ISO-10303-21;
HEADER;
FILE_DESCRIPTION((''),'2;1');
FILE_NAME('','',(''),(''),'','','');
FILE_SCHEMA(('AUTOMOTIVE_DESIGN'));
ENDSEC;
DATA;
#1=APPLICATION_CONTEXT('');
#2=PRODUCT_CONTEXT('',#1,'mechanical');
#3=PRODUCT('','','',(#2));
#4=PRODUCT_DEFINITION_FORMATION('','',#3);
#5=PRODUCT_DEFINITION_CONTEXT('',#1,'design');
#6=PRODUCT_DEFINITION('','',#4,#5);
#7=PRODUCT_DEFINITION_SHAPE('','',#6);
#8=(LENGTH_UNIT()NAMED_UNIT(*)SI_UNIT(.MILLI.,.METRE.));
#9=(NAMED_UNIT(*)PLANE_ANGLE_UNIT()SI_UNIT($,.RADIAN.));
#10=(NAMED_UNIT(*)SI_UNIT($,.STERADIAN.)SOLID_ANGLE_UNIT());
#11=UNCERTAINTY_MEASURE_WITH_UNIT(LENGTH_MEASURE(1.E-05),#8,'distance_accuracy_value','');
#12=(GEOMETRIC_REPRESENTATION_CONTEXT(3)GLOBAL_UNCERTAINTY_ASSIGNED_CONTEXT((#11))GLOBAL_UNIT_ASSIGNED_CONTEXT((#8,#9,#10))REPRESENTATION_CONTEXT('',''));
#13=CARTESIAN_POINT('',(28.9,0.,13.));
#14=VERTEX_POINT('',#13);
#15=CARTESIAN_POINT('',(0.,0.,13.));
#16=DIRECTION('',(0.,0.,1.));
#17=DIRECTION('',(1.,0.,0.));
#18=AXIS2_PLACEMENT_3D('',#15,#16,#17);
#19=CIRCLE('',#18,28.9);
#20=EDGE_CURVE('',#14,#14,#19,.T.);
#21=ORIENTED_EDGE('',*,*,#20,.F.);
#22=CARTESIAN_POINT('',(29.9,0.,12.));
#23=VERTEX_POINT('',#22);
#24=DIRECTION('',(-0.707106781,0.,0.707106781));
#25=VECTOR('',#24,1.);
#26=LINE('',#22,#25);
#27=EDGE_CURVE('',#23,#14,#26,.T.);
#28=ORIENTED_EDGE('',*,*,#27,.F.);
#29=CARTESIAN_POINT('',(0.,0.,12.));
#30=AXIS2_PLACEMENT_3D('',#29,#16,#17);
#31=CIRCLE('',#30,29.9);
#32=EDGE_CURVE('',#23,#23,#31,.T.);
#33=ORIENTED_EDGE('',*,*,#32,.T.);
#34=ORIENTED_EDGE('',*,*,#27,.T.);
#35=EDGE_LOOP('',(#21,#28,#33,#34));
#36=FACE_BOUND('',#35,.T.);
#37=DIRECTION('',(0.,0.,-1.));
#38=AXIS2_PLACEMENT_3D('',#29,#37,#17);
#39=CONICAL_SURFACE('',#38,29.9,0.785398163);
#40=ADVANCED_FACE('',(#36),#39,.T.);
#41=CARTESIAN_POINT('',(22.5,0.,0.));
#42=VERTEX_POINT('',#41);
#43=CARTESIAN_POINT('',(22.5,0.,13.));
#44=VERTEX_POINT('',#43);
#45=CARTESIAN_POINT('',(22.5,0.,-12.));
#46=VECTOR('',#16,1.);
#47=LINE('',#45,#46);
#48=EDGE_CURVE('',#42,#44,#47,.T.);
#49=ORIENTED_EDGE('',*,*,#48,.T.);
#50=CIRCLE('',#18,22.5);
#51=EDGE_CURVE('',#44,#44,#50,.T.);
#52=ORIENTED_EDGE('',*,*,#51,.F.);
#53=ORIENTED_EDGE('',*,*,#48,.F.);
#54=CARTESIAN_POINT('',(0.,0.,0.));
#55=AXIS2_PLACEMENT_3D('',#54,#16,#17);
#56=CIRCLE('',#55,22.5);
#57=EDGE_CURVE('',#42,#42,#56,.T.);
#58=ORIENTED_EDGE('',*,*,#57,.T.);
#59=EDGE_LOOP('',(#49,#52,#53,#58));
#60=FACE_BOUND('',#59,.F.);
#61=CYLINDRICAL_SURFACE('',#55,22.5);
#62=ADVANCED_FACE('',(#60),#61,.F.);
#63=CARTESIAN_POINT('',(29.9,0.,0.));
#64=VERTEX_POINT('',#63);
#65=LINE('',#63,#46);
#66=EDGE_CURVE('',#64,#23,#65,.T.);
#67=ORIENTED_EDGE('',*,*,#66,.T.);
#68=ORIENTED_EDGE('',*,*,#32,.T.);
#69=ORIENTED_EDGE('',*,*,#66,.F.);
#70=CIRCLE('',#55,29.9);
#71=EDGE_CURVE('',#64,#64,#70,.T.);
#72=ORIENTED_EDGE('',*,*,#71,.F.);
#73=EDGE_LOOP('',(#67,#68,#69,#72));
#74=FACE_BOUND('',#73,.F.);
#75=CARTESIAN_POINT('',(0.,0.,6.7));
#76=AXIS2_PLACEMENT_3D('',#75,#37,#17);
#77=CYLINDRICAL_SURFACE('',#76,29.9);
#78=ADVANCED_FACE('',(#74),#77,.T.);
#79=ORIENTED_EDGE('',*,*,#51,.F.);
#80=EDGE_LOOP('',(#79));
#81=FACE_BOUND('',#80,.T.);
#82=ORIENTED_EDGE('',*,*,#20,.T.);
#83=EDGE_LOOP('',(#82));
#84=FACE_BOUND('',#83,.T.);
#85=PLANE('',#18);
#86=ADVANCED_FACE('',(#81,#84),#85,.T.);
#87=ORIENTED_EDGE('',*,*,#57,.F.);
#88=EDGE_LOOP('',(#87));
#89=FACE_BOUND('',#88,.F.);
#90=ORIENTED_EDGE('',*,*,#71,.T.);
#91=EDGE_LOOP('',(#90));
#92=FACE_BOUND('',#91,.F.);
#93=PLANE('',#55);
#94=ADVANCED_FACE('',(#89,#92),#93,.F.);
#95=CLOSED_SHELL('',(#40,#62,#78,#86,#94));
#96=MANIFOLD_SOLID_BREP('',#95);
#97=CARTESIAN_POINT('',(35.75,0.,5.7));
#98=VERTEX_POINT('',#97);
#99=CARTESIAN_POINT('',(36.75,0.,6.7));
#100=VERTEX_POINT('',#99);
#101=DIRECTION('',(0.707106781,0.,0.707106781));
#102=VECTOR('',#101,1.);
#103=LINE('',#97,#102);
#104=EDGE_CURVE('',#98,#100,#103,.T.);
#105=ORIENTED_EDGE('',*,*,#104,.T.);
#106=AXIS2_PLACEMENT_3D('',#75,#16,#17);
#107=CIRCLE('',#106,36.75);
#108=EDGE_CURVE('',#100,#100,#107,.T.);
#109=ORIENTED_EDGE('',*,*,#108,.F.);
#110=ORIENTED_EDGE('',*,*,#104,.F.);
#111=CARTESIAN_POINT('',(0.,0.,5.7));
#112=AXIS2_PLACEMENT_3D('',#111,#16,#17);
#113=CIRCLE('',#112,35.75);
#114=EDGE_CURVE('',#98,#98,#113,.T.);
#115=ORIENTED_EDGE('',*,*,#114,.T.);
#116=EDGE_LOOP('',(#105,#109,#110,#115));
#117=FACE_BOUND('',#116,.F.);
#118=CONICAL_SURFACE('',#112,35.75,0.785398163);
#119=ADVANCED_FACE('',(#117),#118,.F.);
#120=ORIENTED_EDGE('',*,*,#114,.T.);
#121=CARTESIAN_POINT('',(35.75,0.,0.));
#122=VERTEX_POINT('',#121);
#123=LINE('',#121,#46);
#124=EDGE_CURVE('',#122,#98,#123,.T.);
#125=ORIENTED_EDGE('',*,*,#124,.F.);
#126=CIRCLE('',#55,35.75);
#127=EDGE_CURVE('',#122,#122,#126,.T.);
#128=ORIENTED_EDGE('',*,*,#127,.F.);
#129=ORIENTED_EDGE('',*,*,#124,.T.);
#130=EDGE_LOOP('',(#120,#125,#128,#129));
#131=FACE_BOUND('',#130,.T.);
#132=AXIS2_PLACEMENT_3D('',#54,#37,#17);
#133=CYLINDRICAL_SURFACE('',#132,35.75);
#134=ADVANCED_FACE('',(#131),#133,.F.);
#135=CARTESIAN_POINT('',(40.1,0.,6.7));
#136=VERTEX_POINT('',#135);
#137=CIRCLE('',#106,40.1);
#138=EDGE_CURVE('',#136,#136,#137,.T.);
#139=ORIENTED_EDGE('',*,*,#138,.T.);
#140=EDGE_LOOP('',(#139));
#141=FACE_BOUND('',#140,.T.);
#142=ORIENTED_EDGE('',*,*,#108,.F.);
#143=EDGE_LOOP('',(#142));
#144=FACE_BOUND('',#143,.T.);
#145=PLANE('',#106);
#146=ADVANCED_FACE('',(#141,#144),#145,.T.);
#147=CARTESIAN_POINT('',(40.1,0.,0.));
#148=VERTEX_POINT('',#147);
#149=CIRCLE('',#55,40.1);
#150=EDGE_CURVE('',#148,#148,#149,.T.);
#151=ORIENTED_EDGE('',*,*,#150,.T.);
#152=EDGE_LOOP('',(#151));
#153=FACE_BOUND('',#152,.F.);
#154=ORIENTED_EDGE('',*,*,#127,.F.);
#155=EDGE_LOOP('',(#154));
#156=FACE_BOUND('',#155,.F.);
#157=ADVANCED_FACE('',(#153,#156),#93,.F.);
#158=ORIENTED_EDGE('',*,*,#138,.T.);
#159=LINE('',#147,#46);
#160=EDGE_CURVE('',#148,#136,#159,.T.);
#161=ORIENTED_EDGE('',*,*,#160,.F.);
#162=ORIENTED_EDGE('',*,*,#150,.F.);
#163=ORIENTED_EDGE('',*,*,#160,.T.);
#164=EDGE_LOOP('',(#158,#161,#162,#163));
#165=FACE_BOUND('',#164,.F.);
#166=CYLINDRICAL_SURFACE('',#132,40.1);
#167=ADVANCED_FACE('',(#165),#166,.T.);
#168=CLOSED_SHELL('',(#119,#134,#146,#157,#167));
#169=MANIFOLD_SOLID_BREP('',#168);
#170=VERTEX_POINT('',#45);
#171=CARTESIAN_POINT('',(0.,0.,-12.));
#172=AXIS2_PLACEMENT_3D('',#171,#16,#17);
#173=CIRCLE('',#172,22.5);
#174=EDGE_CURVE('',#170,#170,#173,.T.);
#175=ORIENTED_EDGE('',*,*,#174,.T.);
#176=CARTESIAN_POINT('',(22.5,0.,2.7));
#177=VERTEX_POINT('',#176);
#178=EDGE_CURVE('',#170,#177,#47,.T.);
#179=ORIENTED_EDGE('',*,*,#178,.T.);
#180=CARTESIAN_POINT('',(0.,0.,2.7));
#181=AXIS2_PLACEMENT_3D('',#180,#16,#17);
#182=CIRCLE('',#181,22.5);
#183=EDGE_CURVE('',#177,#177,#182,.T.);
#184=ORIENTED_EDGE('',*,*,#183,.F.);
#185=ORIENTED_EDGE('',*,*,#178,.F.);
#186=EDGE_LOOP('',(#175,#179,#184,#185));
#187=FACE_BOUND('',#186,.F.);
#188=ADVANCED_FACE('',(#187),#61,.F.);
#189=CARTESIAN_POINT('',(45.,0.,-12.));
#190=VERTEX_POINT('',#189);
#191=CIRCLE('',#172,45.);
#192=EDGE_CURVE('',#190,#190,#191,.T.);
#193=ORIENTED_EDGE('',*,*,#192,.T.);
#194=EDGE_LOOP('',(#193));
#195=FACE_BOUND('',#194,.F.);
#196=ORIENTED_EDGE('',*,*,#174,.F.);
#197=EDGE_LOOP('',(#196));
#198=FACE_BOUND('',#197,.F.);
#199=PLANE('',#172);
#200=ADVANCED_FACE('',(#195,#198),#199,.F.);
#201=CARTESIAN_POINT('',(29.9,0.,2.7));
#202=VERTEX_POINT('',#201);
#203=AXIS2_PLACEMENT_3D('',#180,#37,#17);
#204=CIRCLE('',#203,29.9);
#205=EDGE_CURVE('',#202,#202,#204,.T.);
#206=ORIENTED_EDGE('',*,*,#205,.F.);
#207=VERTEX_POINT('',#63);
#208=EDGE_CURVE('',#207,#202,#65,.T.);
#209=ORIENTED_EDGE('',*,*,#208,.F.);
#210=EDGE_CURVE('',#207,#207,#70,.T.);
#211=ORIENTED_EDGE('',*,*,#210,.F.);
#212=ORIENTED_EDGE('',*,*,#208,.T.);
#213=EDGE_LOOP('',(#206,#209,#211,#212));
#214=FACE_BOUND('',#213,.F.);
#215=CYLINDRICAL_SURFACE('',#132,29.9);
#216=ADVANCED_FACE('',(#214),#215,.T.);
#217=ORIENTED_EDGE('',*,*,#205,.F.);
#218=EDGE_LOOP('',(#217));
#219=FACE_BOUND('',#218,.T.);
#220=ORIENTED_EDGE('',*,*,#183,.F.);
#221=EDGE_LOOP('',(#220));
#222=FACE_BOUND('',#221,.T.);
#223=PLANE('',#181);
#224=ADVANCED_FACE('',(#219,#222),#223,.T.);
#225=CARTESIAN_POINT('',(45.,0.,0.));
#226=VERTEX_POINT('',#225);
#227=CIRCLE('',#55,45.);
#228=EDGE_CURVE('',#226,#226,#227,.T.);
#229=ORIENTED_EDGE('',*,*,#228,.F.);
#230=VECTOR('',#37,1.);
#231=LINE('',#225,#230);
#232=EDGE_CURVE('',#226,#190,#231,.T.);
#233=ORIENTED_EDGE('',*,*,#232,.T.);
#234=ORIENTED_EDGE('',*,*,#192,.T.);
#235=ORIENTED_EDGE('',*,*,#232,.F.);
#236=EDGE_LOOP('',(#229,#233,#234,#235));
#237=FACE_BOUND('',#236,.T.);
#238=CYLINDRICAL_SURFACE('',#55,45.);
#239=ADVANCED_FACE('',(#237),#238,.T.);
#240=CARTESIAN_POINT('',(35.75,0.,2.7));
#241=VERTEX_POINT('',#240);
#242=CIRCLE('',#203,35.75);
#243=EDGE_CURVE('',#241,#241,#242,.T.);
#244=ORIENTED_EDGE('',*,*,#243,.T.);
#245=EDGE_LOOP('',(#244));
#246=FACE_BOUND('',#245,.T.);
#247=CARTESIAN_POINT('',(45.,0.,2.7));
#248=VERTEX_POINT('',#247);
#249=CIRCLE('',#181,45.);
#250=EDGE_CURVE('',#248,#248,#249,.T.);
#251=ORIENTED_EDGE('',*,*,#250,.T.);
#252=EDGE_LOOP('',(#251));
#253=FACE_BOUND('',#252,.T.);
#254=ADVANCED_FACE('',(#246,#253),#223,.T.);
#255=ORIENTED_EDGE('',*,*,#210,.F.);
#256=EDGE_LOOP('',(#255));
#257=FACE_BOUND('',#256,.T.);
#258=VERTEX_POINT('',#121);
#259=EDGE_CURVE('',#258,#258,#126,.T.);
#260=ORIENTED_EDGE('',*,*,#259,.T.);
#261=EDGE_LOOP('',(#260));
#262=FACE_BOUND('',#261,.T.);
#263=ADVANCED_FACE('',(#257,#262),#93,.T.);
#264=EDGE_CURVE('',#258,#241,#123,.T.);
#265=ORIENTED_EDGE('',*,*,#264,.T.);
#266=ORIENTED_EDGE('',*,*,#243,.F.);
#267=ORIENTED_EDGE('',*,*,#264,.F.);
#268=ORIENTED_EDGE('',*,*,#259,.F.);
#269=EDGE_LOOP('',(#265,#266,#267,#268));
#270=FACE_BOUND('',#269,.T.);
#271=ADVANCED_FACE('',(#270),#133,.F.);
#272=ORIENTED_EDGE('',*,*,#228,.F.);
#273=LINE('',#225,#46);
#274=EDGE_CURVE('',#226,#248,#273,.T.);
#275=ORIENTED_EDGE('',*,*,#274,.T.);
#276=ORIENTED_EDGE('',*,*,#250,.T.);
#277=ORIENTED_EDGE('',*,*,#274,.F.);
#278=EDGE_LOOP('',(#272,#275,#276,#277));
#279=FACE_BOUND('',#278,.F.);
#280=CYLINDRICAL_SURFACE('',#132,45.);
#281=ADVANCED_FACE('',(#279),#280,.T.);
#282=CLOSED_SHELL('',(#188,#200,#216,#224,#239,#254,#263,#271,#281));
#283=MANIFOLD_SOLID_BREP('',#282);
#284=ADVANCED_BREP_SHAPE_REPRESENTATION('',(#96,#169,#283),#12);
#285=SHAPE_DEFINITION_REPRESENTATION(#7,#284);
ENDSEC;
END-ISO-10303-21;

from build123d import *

# Parameters (mm, degrees)
F0_R          = 29.9
F3_DEPTH      = 6.7
F0_R_2        = 40.1
F0_R_3        = 35.75
F1_R          = 45
F4_DEPTH      = 12
F4_DEPTH_BACK = 2.7
F5_DEPTH      = 6.7
F6_SIZE       = 1
F7_DEPTH      = 6.3
F8_SIZE       = 1
F2_R          = 22.5
F9_DEPTH      = 13
F9_DEPTH_BACK = 12


with BuildPart() as f3:
    # F0 (on Top) → F3 (new body)
    with BuildSketch(Plane.XY):
        Circle(F0_R)
    extrude(amount=F3_DEPTH)

    # F7 (add): a face of the model
    f7_faces = [f3.faces().sort_by_distance(p)[0] for p in [
        (0, 0, 6.7),
    ]]
    extrude(f7_faces, amount=F7_DEPTH)

    # F8
    f8_edges = [f3.edges().sort_by_distance(p)[0] for p in [
        (-29.9, 0, 13),
    ]]
    chamfer(f8_edges, length=F8_SIZE)


with BuildPart() as f3b:
    # F0 (on Top) → F3, piece 2 (new body)
    with BuildSketch(Plane.XY):
        Circle(F0_R_2)
        Circle(F0_R_3, mode=Mode.SUBTRACT)
    extrude(amount=F3_DEPTH)

    # F6
    f6_edges = [f3b.edges().sort_by_distance(p)[0] for p in [
        (-35.75, 0, 6.7),
    ]]
    chamfer(f6_edges, length=F6_SIZE)


with BuildPart() as f4:
    # F1 (on Top) → F4 (new body, two sides)
    with BuildSketch(Plane.XY) as f4_sk:
        Circle(F1_R)
    extrude(amount=-F4_DEPTH)
    extrude(f4_sk.sketch, amount=F4_DEPTH_BACK)

    # F0 (on Top) → F5 (cut)
    with BuildSketch(Plane.XY):
        Circle(F0_R_3)
        Circle(F0_R, mode=Mode.SUBTRACT)
    extrude(amount=F5_DEPTH, mode=Mode.SUBTRACT)


with BuildPart() as f9_tool:
    # F2 (on Top) → F9 (new body, two sides)
    with BuildSketch(Plane.XY) as f9_sk:
        Circle(F2_R)
    extrude(amount=F9_DEPTH)
    extrude(f9_sk.sketch, amount=-F9_DEPTH_BACK)


with BuildPart() as f3_1:
    add(f3.part)

    # F9: cut by f9_tool
    add(f9_tool.part, mode=Mode.SUBTRACT)


with BuildPart() as f4_1:
    add(f4.part)

    # F9: cut by f9_tool
    add(f9_tool.part, mode=Mode.SUBTRACT)


solid = Compound([f3b.part, f3_1.part, f4_1.part])
